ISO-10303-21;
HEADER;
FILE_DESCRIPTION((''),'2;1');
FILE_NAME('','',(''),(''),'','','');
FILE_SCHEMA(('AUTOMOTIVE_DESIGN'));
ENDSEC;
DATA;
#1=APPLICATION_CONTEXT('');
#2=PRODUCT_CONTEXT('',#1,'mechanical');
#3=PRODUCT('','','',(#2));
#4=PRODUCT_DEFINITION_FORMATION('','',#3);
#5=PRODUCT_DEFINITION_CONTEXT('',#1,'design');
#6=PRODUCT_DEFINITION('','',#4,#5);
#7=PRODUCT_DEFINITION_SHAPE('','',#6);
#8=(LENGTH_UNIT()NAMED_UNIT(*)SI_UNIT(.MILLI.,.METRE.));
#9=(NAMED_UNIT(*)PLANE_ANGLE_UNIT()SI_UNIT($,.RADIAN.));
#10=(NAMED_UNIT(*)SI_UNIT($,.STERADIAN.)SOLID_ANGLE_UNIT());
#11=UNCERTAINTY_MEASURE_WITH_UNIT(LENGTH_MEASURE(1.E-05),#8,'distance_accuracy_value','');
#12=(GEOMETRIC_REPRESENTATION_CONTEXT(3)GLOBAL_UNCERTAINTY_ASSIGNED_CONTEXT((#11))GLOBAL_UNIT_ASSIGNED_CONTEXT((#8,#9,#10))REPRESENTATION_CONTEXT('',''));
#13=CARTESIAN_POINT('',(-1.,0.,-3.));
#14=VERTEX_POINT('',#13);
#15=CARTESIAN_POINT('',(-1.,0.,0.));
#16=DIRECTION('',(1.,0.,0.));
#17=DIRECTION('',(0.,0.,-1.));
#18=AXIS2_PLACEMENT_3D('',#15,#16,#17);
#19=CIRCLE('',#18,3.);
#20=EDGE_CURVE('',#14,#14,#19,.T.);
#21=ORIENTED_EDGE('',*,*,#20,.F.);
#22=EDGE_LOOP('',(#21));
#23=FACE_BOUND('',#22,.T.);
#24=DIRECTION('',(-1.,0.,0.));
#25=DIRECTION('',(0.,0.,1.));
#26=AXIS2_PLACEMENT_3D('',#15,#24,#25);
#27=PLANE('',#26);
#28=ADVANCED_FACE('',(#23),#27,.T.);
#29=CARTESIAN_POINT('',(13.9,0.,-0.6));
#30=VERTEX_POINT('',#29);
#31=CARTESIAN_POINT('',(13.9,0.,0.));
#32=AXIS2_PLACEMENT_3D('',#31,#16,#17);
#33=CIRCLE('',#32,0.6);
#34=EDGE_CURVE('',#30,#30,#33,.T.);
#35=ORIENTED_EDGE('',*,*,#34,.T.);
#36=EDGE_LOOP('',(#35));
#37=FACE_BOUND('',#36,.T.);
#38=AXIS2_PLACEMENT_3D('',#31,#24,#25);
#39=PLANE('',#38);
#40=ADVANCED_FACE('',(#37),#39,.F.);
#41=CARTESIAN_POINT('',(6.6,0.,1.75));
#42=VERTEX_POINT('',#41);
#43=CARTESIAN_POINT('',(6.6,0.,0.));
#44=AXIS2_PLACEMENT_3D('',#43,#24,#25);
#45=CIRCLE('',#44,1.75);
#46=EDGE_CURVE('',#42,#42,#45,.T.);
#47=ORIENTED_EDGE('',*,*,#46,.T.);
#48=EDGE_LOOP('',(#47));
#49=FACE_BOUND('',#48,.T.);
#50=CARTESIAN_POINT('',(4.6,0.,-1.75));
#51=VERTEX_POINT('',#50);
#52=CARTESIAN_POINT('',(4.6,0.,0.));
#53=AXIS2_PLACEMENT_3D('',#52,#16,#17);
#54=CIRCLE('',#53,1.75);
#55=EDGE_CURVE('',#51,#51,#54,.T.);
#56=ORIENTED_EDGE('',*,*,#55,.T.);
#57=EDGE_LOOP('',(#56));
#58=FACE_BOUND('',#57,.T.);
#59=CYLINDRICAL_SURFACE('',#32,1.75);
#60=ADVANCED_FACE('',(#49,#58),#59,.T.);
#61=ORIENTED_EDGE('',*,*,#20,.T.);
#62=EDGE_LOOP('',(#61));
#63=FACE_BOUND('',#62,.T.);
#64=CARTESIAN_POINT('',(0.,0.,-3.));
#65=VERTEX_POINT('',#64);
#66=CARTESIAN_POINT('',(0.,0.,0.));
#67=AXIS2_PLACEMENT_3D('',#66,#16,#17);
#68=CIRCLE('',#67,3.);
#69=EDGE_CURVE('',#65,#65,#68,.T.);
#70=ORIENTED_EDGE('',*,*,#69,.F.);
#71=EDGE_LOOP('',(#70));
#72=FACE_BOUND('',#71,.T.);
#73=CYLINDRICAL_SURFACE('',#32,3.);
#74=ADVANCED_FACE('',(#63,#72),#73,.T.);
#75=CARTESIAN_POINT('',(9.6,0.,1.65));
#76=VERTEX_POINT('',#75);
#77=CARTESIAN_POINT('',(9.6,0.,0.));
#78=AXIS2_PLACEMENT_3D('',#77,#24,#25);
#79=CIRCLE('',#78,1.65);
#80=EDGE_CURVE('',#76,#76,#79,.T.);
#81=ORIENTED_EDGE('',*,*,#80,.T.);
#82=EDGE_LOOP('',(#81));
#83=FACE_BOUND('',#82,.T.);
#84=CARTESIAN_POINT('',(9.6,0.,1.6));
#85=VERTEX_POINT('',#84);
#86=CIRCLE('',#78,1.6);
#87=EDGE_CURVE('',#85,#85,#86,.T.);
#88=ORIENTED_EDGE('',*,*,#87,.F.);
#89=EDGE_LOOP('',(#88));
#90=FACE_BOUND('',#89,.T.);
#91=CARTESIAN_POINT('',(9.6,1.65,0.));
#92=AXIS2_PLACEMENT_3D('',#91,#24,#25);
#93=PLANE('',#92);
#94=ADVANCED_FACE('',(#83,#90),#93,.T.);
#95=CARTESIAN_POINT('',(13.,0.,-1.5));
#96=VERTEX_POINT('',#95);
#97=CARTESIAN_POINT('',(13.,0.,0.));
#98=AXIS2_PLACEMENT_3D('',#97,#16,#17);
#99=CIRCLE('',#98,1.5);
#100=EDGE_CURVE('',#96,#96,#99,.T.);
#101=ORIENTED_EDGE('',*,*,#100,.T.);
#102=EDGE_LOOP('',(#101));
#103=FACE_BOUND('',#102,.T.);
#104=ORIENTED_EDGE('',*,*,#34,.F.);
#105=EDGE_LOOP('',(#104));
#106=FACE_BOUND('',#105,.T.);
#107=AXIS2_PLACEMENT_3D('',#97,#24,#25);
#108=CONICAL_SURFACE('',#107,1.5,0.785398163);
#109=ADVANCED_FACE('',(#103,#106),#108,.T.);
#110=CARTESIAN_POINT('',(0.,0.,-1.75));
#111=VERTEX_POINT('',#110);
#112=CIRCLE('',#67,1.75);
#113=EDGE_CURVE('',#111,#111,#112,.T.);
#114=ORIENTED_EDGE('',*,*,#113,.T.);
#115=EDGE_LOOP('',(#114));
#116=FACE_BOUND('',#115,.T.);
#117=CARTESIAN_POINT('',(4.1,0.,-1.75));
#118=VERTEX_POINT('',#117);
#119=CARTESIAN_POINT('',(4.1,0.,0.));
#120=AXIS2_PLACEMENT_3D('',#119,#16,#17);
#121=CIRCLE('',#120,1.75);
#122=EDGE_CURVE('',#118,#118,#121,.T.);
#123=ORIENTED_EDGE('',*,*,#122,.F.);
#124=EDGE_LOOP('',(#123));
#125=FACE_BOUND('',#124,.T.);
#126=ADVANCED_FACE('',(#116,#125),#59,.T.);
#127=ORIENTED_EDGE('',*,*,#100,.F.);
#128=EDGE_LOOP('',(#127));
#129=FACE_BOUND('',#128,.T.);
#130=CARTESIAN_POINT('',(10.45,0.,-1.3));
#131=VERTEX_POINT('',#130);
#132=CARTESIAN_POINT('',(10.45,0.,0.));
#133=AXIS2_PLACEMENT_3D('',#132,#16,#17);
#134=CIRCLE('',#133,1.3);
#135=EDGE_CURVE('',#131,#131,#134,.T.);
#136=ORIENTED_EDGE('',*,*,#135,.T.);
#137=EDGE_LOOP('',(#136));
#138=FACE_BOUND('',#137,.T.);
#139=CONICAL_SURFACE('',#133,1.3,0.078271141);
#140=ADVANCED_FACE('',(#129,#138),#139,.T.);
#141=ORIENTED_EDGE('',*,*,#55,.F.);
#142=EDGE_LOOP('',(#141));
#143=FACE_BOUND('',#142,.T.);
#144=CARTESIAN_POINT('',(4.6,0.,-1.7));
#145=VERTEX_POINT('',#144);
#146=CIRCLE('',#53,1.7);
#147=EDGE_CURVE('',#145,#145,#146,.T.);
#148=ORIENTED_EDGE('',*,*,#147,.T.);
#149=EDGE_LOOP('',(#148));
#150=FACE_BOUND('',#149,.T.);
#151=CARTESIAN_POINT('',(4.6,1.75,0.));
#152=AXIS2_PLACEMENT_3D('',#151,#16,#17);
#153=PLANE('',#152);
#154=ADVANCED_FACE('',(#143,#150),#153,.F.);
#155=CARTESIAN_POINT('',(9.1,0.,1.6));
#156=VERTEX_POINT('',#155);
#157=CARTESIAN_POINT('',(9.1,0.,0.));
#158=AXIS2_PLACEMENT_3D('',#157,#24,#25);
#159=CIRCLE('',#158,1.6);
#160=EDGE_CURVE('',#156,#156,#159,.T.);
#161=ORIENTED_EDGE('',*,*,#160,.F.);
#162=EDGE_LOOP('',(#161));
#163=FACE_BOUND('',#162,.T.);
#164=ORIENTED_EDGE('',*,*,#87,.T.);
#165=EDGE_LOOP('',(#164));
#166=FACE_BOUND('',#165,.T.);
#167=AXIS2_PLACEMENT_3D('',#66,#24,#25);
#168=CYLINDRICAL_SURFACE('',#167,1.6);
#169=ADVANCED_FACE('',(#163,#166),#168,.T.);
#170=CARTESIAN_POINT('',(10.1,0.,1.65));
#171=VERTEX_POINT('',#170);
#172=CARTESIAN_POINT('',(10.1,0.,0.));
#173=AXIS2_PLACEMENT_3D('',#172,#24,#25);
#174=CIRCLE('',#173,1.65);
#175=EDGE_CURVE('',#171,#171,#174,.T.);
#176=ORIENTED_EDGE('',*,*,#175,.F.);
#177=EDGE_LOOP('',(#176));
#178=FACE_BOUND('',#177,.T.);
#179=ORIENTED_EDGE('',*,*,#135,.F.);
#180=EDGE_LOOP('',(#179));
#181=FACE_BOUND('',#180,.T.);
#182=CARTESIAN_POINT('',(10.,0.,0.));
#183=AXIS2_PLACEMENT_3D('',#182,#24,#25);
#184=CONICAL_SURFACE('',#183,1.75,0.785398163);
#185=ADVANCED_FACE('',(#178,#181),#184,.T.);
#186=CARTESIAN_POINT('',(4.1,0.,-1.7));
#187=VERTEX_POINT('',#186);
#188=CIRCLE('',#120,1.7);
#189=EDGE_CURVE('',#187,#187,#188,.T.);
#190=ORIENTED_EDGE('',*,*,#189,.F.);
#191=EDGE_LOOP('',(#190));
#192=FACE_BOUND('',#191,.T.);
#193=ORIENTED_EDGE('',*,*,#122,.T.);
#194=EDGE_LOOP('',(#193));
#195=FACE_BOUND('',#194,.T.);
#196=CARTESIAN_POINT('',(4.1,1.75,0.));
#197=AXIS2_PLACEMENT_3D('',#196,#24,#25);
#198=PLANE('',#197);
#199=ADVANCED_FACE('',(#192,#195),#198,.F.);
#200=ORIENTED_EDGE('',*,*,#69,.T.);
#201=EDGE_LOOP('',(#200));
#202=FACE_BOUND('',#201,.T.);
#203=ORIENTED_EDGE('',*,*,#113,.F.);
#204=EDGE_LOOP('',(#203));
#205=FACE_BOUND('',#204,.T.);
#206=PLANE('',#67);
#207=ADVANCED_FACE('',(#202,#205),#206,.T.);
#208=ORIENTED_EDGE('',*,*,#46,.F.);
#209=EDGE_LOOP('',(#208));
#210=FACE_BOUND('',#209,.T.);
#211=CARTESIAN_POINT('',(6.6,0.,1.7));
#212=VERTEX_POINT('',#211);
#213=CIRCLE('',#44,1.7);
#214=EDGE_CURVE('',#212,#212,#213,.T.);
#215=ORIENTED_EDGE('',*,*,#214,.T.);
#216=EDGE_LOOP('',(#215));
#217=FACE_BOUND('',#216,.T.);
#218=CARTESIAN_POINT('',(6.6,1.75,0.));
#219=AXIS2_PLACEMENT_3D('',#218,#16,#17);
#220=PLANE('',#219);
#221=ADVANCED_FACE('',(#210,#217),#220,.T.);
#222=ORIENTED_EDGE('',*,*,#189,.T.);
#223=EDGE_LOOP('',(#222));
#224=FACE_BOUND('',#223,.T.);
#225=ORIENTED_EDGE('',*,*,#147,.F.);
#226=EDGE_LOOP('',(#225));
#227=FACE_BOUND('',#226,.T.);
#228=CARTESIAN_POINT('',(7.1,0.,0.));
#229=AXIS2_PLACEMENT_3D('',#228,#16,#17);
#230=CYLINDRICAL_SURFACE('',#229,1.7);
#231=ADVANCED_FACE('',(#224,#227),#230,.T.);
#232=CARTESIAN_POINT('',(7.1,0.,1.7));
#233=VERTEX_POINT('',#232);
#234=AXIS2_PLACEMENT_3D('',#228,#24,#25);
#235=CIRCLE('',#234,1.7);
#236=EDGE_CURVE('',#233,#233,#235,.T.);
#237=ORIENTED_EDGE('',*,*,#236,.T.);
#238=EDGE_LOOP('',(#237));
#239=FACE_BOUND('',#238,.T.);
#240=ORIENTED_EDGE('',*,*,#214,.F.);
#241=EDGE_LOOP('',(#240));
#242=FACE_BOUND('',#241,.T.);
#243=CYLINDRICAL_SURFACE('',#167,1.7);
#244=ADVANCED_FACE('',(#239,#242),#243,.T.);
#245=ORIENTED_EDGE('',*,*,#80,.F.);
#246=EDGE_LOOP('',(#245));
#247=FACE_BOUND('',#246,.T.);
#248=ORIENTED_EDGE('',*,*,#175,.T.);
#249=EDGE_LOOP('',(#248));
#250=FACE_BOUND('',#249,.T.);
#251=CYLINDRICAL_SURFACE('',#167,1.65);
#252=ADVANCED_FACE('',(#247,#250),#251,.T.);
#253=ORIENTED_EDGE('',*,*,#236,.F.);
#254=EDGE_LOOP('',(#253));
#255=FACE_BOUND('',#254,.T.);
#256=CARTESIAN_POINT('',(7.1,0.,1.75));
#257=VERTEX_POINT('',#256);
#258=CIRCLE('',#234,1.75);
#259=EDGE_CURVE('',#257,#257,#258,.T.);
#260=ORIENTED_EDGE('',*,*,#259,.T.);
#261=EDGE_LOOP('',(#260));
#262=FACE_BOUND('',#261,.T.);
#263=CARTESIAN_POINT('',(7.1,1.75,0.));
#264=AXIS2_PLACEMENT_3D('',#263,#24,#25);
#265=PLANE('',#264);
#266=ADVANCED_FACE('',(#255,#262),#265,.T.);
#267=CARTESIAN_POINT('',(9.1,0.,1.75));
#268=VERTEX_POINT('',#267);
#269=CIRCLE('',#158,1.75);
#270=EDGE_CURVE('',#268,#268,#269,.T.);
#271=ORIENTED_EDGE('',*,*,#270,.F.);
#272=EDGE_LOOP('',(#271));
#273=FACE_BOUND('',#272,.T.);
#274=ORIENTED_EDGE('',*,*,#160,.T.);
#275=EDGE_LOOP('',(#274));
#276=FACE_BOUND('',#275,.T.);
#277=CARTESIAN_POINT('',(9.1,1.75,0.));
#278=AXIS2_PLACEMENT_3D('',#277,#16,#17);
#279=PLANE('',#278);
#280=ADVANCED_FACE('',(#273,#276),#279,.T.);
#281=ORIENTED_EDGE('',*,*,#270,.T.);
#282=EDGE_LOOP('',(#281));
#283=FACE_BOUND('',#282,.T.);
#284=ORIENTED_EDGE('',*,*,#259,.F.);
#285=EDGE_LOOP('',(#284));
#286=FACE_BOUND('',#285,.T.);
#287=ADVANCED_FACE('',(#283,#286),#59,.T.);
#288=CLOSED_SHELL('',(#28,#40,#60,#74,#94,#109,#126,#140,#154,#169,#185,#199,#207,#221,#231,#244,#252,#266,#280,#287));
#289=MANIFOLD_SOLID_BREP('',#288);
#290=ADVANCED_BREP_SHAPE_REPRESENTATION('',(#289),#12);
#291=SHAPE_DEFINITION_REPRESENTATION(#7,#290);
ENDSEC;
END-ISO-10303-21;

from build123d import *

# Parameters (mm, degrees)
ESQUISSE2_W = 1
ESQUISSE2_H = 0.1
ESQUISSE3_W = 0.5
ESQUISSE3_H = 0.05
ESQUISSE4_W = 0.5
ESQUISSE4_H = 0.05
ESQUISSE5_W = 0.5
ESQUISSE5_H = 0.05


with BuildPart() as part:
    # Esquisse1 → Révolution1 (revolve)
    with BuildSketch(Plane.XY, mode=Mode.PRIVATE) as r_volution1_sk:
        Polygon((0, 0), (0, 1.75), (10, 1.75), (10.45, 1.3), (13, 1.5), (13.9, 0.6), (13.9, 0), align=None)
        Polygon((-1, 0), (0, 0), (0, 1.75), (0, 3), (-1, 3), align=None)
    revolve(r_volution1_sk.sketch.rotate(Axis((13.9, 0, 0), (-1, 0, 0)), 90), axis=Axis((13.9, 0, 0), (-1, 0, 0)))

    # Esquisse2 → End of connector (revolve, cut)
    with BuildSketch(Plane.XY, mode=Mode.PRIVATE) as end_of_connector_sk:
        with Locations((9.6, 1.7)):
            Rectangle(ESQUISSE2_W, ESQUISSE2_H)
    revolve(end_of_connector_sk.sketch.rotate(Axis((0, 0, 0), (1, 0, 0)), 90), axis=Axis((0, 0, 0), (1, 0, 0)), mode=Mode.SUBTRACT)

    # Esquisse3 → First connector separation (revolve, cut)
    with BuildSketch(Plane.XY, mode=Mode.PRIVATE) as first_connector_separation_sk:
        with Locations((9.35, 1.625)):
            Rectangle(ESQUISSE3_W, ESQUISSE3_H)
    revolve(first_connector_separation_sk.sketch.rotate(Axis((13.9, 0, 0), (1, 0, 0)), 90), axis=Axis((13.9, 0, 0), (1, 0, 0)), mode=Mode.SUBTRACT)

    # Esquisse4 → Second connector separation (revolve, cut)
    with BuildSketch(Plane.XY, mode=Mode.PRIVATE) as second_connector_separation_sk:
        with Locations((6.85, 1.725)):
            Rectangle(ESQUISSE4_W, ESQUISSE4_H)
    revolve(second_connector_separation_sk.sketch.rotate(Axis((13.9, 0, 0), (1, 0, 0)), 90), axis=Axis((13.9, 0, 0), (1, 0, 0)), mode=Mode.SUBTRACT)

    # Esquisse5 → Third connector sepatation (revolve, cut)
    with BuildSketch(Plane.XY, mode=Mode.PRIVATE) as third_connector_sepatation_sk:
        with Locations((4.35, 1.725)):
            Rectangle(ESQUISSE5_W, ESQUISSE5_H)
    revolve(third_connector_sepatation_sk.sketch.rotate(Axis((0, 0, 0), (-1, 0, 0)), 90), axis=Axis((0, 0, 0), (-1, 0, 0)), mode=Mode.SUBTRACT)


solid = part.part
